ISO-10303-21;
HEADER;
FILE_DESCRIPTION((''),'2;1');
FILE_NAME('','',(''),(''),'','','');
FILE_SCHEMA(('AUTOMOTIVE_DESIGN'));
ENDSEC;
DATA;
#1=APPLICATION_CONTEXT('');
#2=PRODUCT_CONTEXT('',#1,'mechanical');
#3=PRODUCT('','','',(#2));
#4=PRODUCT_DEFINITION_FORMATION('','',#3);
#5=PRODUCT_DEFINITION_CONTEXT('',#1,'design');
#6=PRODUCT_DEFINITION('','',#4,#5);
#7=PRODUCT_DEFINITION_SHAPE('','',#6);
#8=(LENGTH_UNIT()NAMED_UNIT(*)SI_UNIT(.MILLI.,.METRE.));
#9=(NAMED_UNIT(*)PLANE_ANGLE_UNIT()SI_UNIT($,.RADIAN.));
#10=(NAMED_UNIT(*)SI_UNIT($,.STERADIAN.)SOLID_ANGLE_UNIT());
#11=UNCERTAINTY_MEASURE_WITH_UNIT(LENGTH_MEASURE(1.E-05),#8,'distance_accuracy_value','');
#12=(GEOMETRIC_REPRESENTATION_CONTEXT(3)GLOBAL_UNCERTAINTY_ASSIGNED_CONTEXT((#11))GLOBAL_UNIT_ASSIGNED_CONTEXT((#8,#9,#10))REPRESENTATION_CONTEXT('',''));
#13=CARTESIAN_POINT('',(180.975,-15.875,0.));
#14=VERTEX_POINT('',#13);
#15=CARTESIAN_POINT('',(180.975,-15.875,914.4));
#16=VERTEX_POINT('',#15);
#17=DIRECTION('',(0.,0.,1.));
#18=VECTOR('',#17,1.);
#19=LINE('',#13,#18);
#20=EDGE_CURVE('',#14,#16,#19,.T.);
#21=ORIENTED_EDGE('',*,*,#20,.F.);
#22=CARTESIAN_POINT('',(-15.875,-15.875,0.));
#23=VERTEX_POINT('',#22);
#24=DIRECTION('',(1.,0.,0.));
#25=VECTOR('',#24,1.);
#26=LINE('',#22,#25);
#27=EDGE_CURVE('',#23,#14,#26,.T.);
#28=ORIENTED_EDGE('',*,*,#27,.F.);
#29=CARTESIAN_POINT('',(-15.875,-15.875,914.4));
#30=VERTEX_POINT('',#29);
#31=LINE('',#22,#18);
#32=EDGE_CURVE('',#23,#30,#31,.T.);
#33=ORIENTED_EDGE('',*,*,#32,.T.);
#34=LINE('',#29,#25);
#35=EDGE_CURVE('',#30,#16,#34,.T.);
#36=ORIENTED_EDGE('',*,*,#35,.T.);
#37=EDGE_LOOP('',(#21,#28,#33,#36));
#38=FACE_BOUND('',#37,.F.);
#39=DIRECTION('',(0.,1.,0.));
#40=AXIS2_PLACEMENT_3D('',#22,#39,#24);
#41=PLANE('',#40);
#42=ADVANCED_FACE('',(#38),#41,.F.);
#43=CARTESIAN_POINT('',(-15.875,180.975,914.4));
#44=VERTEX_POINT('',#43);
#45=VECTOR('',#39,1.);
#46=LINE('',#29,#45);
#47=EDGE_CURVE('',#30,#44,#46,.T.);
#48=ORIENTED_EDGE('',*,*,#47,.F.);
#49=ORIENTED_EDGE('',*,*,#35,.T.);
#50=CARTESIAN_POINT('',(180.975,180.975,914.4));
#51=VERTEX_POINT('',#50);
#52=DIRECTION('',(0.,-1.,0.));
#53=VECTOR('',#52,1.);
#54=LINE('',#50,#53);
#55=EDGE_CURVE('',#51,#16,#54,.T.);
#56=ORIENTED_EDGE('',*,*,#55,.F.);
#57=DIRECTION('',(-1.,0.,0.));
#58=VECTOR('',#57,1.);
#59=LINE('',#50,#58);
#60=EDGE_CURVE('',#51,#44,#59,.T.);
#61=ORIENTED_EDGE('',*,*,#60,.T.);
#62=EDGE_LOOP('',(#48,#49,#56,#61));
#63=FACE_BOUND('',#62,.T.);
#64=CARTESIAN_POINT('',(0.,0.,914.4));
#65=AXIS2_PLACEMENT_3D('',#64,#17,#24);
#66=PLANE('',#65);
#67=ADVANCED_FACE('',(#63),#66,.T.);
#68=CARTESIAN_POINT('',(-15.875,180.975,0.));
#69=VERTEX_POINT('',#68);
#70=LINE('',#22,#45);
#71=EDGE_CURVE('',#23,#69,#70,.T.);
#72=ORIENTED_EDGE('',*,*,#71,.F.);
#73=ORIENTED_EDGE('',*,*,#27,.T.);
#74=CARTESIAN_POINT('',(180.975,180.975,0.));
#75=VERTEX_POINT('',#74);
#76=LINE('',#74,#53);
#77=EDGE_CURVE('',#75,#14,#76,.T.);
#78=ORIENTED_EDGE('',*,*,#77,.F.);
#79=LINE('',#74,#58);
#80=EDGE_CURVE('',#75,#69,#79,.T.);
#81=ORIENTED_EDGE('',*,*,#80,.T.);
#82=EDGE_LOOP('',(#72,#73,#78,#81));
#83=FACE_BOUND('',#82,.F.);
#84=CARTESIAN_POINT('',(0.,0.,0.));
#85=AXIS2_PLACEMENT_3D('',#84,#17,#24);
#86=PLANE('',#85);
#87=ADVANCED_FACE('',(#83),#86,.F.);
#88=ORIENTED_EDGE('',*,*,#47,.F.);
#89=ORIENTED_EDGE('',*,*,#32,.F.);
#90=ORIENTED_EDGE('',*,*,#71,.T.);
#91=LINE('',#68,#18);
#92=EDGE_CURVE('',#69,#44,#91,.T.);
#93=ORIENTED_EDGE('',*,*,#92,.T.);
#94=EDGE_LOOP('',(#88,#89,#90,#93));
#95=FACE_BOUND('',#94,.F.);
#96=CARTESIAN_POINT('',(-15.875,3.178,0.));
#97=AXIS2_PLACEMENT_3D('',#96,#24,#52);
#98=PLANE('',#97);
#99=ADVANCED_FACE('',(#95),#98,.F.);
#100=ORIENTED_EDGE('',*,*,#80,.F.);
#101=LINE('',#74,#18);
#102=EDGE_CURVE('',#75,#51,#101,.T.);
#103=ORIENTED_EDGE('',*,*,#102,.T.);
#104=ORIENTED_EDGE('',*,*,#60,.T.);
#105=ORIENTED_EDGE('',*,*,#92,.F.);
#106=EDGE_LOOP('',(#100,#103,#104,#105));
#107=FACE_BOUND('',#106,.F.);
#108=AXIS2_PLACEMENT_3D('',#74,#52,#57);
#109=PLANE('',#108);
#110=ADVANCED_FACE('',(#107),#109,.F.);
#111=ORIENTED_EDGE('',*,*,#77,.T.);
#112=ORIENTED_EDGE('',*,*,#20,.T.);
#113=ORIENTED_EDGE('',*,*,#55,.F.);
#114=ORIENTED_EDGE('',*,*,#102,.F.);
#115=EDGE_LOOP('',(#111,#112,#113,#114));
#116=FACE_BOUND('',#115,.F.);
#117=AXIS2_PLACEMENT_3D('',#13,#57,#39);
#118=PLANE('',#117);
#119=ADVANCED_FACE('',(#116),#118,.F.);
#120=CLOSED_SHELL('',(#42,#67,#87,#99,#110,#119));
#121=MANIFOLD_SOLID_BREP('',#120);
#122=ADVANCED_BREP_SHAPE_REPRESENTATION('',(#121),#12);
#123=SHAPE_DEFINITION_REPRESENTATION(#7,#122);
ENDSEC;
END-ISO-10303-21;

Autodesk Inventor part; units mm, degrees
ref_plane "YZ Plane" through (0, 0, 0) normal (1, 0, 0) x (0, 1, 0)
ref_plane "XZ Plane" through (0, 0, 0) normal (0, 1, 0) x (-1, 0, 0)
ref_plane "XY Plane" through (0, 0, 0) normal (0, 0, 1) x (1, 0, 0)
sketch "Sketch1" plane through (0, 0, 0) normal (0, 0, 1) x (1, 0, 0)
  line L0 (165.1, 0) -> (165.1, 165.1)
  line L1 (165.1, 165.1) -> (0, 165.1)
  line L2 (0, 165.1) -> (0, 0)
  line L3 (-15.875, -15.875) -> (180.975, -15.875)
  line L4 (180.975, -15.875) -> (180.975, 180.975)
  line L5 (180.975, 180.975) -> (-15.875, 180.975)
  line L6 (-15.875, 180.975) -> (-15.875, -15.875)
  line L7 (-15.875, -15.875) -> (180.975, -15.875)
  line L8 (180.975, -15.875) -> (180.975, 3.178)
  line L9 (180.975, 3.178) -> (-15.875, 3.178)
  line L10 (-15.875, 3.178) -> (-15.875, -15.875)
  dimension "d7" = 196.85
  dimension "d8" = 196.85
  dimension "d9" = 15.875
  dimension "d10" = 196.85
  dimension "d11" = 15.875
extrude "Extrusion1" add sketch "Sketch1" along normal blind 914.4
properties part number "rail part"
